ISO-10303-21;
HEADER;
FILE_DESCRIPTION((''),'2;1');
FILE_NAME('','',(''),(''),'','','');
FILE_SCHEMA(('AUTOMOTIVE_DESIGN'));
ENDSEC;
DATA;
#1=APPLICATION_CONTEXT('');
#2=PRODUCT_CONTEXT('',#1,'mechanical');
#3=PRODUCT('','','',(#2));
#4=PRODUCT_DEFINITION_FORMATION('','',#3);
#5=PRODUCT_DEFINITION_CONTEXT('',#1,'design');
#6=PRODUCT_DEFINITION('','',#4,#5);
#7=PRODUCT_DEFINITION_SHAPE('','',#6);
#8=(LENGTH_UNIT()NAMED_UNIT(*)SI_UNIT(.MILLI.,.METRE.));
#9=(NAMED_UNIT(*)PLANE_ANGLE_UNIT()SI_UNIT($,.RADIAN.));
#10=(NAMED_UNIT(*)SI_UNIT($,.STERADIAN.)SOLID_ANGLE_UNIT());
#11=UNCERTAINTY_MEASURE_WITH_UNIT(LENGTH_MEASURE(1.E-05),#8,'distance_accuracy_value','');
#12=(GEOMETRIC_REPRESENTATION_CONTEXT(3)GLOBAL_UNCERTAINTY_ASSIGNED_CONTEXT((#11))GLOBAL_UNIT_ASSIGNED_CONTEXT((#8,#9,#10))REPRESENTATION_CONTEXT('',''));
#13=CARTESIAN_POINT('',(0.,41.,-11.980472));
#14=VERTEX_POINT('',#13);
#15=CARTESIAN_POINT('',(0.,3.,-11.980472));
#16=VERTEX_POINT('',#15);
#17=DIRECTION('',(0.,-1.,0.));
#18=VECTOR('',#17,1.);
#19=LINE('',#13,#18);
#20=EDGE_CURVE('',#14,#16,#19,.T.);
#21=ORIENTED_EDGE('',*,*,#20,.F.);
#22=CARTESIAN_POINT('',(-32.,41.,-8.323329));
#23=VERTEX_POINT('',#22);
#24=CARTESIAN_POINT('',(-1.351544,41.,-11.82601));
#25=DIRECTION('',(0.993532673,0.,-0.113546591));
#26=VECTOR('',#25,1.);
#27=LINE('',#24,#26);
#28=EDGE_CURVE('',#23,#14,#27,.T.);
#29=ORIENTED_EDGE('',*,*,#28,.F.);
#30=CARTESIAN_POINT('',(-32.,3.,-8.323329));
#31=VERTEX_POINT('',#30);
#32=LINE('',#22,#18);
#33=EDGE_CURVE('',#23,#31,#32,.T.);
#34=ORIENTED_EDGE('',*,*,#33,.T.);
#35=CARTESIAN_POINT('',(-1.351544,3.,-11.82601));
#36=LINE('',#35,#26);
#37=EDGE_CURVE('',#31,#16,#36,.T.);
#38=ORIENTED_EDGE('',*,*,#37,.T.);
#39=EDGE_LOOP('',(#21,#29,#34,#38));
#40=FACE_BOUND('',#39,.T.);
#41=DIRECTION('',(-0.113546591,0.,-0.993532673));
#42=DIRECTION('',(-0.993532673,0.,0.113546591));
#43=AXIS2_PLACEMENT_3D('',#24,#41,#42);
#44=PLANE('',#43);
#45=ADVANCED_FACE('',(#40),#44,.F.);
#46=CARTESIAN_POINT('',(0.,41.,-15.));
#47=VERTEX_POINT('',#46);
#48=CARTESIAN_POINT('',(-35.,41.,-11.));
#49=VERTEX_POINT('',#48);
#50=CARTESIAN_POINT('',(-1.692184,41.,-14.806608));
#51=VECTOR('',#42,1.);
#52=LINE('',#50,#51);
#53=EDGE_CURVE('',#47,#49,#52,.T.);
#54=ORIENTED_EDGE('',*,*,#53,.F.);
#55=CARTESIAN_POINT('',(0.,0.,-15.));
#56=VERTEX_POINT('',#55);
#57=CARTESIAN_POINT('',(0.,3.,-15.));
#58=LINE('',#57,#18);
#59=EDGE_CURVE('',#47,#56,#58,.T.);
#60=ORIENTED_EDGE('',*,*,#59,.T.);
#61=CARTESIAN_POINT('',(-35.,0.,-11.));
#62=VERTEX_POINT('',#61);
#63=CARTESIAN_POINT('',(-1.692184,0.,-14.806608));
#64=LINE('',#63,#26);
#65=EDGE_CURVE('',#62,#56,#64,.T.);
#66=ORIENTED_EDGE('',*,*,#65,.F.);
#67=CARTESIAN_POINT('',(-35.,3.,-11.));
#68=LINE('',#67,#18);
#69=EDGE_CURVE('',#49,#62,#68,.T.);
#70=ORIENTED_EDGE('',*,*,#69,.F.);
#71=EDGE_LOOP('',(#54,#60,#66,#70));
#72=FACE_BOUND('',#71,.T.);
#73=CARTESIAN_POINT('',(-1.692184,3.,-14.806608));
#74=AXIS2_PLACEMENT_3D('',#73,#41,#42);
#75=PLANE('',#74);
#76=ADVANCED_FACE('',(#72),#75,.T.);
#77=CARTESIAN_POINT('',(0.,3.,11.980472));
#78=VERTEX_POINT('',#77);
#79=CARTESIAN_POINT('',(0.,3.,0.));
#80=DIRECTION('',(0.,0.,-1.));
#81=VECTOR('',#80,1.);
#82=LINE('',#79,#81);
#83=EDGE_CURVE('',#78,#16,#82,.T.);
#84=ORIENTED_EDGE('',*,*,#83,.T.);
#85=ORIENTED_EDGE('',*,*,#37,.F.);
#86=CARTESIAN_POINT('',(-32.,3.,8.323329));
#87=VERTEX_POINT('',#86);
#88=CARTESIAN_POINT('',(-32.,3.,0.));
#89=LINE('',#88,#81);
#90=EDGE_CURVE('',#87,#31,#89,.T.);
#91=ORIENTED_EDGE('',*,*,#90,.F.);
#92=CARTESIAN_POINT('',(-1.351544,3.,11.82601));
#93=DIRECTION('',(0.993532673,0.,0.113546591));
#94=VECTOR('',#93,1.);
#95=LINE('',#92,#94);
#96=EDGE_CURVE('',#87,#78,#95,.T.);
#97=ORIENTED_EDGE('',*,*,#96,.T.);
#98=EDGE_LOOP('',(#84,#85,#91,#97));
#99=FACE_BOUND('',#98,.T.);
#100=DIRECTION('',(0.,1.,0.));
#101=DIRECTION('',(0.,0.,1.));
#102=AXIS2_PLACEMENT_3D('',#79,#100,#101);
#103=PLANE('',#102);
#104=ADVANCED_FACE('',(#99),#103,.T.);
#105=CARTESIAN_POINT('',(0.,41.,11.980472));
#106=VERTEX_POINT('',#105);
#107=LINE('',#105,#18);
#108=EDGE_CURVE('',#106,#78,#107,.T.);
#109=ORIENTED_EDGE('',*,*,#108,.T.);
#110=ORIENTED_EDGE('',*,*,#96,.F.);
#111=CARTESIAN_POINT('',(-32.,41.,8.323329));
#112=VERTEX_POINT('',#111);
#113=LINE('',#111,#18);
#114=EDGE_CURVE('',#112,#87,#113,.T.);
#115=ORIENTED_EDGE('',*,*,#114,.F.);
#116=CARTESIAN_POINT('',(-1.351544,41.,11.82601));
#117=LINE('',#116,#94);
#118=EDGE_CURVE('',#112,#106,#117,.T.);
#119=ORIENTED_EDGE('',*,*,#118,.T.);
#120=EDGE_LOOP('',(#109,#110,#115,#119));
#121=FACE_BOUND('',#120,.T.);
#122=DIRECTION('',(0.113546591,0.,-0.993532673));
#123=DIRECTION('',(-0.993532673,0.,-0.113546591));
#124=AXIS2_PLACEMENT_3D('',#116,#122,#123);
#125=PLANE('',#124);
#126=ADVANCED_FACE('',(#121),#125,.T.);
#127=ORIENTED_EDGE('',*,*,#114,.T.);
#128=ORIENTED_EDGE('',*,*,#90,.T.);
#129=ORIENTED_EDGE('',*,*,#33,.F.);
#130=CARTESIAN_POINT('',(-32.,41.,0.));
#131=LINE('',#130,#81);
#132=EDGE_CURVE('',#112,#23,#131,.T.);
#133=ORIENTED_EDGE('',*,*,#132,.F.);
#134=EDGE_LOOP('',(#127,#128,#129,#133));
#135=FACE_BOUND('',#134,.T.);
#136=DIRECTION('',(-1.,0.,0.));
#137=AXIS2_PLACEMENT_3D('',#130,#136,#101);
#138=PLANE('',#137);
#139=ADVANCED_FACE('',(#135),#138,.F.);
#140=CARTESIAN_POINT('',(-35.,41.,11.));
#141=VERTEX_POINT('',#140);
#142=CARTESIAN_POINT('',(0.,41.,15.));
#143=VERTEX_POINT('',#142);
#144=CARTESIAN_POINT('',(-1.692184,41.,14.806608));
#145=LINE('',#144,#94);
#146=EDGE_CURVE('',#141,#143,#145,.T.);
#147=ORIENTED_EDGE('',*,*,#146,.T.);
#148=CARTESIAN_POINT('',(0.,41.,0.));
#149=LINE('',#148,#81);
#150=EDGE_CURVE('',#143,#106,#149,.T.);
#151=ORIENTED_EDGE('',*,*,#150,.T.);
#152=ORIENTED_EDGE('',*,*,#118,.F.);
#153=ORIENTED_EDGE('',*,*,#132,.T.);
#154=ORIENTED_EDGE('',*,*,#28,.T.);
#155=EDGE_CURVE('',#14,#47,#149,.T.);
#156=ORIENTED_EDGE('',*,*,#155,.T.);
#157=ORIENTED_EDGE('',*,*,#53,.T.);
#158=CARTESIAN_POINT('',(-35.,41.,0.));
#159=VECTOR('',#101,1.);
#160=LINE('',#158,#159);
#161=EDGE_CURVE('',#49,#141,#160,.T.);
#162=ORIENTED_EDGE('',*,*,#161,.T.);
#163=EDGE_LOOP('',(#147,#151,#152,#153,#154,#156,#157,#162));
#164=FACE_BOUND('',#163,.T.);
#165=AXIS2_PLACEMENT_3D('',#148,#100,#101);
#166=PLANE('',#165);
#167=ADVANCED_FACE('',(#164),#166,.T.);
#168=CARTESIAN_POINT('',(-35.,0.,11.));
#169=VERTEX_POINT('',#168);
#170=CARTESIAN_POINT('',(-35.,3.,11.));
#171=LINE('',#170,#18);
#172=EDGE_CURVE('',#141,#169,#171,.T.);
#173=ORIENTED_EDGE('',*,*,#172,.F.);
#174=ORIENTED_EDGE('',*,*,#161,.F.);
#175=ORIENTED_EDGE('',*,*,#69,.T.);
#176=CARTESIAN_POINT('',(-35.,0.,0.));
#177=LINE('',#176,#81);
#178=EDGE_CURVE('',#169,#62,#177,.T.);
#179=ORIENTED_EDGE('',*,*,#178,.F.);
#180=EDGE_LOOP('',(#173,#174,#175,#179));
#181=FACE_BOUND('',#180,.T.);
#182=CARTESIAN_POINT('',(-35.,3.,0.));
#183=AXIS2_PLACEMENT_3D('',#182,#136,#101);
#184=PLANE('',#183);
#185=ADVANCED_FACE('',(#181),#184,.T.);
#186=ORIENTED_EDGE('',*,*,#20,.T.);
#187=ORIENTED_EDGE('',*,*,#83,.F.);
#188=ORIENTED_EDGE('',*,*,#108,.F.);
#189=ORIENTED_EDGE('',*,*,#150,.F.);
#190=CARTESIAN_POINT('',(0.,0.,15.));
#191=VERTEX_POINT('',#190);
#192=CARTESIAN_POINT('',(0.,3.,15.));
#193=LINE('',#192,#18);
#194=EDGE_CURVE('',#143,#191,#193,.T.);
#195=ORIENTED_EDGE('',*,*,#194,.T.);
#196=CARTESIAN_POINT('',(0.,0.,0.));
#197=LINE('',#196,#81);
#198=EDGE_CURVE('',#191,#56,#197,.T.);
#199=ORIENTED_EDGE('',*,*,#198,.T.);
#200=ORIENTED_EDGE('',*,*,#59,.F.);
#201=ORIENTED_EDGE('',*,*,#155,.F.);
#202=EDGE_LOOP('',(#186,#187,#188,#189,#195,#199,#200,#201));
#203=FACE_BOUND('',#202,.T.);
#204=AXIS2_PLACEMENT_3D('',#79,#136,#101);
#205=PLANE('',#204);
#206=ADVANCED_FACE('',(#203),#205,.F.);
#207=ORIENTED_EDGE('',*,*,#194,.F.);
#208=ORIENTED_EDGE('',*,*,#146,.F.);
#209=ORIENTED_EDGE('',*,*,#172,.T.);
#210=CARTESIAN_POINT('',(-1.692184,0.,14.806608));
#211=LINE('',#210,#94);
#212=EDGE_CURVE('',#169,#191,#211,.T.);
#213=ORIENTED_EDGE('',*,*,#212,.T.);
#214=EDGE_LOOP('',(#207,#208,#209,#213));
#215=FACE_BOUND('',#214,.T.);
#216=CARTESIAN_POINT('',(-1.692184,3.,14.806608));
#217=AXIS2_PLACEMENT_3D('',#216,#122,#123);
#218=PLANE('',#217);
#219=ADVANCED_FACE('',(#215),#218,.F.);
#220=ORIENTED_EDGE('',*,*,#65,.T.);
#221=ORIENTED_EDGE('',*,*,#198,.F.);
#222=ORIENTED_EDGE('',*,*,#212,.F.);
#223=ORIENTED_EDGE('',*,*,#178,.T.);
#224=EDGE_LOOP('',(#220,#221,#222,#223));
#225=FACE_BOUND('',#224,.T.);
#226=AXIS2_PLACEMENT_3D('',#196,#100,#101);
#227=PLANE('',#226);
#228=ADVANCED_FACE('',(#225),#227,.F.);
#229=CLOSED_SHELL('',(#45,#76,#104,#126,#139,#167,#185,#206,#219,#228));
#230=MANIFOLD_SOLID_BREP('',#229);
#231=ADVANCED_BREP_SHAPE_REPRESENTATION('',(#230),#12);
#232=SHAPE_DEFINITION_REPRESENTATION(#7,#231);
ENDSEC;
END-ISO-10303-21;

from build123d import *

# Parameters (mm, degrees)
BOSS_EXTRUDE1_DEPTH = 3
BOSS_EXTRUDE3_DEPTH = 38


with BuildPart() as part:
    # Sketch1 → Boss-Extrude1 (new body)
    with BuildSketch(Plane(origin=(0, 0, 0), x_dir=(1, 0, 0), z_dir=(0, 1, 0))):
        Polygon((-35, 0), (0, 0), (0, 15), (-35, 11), align=None)
        Polygon((-35, -11), (0, -15), (0, 0), (-35, 0), align=None)
    extrude(amount=BOSS_EXTRUDE1_DEPTH)

    # Sketch2 → Boss-Extrude3 (add)
    with BuildSketch(Plane(origin=(0, 3, 0), x_dir=(1, 0, 0), z_dir=(0, 1, 0))):
        Polygon((-35, 11), (-35, -11), (0, -15), (0, -11.980471722), (-32, -8.323328865), (-32, 8.323328865), (0, 11.980471722), (0, 15), align=None)
    extrude(amount=BOSS_EXTRUDE3_DEPTH)


solid = part.part
